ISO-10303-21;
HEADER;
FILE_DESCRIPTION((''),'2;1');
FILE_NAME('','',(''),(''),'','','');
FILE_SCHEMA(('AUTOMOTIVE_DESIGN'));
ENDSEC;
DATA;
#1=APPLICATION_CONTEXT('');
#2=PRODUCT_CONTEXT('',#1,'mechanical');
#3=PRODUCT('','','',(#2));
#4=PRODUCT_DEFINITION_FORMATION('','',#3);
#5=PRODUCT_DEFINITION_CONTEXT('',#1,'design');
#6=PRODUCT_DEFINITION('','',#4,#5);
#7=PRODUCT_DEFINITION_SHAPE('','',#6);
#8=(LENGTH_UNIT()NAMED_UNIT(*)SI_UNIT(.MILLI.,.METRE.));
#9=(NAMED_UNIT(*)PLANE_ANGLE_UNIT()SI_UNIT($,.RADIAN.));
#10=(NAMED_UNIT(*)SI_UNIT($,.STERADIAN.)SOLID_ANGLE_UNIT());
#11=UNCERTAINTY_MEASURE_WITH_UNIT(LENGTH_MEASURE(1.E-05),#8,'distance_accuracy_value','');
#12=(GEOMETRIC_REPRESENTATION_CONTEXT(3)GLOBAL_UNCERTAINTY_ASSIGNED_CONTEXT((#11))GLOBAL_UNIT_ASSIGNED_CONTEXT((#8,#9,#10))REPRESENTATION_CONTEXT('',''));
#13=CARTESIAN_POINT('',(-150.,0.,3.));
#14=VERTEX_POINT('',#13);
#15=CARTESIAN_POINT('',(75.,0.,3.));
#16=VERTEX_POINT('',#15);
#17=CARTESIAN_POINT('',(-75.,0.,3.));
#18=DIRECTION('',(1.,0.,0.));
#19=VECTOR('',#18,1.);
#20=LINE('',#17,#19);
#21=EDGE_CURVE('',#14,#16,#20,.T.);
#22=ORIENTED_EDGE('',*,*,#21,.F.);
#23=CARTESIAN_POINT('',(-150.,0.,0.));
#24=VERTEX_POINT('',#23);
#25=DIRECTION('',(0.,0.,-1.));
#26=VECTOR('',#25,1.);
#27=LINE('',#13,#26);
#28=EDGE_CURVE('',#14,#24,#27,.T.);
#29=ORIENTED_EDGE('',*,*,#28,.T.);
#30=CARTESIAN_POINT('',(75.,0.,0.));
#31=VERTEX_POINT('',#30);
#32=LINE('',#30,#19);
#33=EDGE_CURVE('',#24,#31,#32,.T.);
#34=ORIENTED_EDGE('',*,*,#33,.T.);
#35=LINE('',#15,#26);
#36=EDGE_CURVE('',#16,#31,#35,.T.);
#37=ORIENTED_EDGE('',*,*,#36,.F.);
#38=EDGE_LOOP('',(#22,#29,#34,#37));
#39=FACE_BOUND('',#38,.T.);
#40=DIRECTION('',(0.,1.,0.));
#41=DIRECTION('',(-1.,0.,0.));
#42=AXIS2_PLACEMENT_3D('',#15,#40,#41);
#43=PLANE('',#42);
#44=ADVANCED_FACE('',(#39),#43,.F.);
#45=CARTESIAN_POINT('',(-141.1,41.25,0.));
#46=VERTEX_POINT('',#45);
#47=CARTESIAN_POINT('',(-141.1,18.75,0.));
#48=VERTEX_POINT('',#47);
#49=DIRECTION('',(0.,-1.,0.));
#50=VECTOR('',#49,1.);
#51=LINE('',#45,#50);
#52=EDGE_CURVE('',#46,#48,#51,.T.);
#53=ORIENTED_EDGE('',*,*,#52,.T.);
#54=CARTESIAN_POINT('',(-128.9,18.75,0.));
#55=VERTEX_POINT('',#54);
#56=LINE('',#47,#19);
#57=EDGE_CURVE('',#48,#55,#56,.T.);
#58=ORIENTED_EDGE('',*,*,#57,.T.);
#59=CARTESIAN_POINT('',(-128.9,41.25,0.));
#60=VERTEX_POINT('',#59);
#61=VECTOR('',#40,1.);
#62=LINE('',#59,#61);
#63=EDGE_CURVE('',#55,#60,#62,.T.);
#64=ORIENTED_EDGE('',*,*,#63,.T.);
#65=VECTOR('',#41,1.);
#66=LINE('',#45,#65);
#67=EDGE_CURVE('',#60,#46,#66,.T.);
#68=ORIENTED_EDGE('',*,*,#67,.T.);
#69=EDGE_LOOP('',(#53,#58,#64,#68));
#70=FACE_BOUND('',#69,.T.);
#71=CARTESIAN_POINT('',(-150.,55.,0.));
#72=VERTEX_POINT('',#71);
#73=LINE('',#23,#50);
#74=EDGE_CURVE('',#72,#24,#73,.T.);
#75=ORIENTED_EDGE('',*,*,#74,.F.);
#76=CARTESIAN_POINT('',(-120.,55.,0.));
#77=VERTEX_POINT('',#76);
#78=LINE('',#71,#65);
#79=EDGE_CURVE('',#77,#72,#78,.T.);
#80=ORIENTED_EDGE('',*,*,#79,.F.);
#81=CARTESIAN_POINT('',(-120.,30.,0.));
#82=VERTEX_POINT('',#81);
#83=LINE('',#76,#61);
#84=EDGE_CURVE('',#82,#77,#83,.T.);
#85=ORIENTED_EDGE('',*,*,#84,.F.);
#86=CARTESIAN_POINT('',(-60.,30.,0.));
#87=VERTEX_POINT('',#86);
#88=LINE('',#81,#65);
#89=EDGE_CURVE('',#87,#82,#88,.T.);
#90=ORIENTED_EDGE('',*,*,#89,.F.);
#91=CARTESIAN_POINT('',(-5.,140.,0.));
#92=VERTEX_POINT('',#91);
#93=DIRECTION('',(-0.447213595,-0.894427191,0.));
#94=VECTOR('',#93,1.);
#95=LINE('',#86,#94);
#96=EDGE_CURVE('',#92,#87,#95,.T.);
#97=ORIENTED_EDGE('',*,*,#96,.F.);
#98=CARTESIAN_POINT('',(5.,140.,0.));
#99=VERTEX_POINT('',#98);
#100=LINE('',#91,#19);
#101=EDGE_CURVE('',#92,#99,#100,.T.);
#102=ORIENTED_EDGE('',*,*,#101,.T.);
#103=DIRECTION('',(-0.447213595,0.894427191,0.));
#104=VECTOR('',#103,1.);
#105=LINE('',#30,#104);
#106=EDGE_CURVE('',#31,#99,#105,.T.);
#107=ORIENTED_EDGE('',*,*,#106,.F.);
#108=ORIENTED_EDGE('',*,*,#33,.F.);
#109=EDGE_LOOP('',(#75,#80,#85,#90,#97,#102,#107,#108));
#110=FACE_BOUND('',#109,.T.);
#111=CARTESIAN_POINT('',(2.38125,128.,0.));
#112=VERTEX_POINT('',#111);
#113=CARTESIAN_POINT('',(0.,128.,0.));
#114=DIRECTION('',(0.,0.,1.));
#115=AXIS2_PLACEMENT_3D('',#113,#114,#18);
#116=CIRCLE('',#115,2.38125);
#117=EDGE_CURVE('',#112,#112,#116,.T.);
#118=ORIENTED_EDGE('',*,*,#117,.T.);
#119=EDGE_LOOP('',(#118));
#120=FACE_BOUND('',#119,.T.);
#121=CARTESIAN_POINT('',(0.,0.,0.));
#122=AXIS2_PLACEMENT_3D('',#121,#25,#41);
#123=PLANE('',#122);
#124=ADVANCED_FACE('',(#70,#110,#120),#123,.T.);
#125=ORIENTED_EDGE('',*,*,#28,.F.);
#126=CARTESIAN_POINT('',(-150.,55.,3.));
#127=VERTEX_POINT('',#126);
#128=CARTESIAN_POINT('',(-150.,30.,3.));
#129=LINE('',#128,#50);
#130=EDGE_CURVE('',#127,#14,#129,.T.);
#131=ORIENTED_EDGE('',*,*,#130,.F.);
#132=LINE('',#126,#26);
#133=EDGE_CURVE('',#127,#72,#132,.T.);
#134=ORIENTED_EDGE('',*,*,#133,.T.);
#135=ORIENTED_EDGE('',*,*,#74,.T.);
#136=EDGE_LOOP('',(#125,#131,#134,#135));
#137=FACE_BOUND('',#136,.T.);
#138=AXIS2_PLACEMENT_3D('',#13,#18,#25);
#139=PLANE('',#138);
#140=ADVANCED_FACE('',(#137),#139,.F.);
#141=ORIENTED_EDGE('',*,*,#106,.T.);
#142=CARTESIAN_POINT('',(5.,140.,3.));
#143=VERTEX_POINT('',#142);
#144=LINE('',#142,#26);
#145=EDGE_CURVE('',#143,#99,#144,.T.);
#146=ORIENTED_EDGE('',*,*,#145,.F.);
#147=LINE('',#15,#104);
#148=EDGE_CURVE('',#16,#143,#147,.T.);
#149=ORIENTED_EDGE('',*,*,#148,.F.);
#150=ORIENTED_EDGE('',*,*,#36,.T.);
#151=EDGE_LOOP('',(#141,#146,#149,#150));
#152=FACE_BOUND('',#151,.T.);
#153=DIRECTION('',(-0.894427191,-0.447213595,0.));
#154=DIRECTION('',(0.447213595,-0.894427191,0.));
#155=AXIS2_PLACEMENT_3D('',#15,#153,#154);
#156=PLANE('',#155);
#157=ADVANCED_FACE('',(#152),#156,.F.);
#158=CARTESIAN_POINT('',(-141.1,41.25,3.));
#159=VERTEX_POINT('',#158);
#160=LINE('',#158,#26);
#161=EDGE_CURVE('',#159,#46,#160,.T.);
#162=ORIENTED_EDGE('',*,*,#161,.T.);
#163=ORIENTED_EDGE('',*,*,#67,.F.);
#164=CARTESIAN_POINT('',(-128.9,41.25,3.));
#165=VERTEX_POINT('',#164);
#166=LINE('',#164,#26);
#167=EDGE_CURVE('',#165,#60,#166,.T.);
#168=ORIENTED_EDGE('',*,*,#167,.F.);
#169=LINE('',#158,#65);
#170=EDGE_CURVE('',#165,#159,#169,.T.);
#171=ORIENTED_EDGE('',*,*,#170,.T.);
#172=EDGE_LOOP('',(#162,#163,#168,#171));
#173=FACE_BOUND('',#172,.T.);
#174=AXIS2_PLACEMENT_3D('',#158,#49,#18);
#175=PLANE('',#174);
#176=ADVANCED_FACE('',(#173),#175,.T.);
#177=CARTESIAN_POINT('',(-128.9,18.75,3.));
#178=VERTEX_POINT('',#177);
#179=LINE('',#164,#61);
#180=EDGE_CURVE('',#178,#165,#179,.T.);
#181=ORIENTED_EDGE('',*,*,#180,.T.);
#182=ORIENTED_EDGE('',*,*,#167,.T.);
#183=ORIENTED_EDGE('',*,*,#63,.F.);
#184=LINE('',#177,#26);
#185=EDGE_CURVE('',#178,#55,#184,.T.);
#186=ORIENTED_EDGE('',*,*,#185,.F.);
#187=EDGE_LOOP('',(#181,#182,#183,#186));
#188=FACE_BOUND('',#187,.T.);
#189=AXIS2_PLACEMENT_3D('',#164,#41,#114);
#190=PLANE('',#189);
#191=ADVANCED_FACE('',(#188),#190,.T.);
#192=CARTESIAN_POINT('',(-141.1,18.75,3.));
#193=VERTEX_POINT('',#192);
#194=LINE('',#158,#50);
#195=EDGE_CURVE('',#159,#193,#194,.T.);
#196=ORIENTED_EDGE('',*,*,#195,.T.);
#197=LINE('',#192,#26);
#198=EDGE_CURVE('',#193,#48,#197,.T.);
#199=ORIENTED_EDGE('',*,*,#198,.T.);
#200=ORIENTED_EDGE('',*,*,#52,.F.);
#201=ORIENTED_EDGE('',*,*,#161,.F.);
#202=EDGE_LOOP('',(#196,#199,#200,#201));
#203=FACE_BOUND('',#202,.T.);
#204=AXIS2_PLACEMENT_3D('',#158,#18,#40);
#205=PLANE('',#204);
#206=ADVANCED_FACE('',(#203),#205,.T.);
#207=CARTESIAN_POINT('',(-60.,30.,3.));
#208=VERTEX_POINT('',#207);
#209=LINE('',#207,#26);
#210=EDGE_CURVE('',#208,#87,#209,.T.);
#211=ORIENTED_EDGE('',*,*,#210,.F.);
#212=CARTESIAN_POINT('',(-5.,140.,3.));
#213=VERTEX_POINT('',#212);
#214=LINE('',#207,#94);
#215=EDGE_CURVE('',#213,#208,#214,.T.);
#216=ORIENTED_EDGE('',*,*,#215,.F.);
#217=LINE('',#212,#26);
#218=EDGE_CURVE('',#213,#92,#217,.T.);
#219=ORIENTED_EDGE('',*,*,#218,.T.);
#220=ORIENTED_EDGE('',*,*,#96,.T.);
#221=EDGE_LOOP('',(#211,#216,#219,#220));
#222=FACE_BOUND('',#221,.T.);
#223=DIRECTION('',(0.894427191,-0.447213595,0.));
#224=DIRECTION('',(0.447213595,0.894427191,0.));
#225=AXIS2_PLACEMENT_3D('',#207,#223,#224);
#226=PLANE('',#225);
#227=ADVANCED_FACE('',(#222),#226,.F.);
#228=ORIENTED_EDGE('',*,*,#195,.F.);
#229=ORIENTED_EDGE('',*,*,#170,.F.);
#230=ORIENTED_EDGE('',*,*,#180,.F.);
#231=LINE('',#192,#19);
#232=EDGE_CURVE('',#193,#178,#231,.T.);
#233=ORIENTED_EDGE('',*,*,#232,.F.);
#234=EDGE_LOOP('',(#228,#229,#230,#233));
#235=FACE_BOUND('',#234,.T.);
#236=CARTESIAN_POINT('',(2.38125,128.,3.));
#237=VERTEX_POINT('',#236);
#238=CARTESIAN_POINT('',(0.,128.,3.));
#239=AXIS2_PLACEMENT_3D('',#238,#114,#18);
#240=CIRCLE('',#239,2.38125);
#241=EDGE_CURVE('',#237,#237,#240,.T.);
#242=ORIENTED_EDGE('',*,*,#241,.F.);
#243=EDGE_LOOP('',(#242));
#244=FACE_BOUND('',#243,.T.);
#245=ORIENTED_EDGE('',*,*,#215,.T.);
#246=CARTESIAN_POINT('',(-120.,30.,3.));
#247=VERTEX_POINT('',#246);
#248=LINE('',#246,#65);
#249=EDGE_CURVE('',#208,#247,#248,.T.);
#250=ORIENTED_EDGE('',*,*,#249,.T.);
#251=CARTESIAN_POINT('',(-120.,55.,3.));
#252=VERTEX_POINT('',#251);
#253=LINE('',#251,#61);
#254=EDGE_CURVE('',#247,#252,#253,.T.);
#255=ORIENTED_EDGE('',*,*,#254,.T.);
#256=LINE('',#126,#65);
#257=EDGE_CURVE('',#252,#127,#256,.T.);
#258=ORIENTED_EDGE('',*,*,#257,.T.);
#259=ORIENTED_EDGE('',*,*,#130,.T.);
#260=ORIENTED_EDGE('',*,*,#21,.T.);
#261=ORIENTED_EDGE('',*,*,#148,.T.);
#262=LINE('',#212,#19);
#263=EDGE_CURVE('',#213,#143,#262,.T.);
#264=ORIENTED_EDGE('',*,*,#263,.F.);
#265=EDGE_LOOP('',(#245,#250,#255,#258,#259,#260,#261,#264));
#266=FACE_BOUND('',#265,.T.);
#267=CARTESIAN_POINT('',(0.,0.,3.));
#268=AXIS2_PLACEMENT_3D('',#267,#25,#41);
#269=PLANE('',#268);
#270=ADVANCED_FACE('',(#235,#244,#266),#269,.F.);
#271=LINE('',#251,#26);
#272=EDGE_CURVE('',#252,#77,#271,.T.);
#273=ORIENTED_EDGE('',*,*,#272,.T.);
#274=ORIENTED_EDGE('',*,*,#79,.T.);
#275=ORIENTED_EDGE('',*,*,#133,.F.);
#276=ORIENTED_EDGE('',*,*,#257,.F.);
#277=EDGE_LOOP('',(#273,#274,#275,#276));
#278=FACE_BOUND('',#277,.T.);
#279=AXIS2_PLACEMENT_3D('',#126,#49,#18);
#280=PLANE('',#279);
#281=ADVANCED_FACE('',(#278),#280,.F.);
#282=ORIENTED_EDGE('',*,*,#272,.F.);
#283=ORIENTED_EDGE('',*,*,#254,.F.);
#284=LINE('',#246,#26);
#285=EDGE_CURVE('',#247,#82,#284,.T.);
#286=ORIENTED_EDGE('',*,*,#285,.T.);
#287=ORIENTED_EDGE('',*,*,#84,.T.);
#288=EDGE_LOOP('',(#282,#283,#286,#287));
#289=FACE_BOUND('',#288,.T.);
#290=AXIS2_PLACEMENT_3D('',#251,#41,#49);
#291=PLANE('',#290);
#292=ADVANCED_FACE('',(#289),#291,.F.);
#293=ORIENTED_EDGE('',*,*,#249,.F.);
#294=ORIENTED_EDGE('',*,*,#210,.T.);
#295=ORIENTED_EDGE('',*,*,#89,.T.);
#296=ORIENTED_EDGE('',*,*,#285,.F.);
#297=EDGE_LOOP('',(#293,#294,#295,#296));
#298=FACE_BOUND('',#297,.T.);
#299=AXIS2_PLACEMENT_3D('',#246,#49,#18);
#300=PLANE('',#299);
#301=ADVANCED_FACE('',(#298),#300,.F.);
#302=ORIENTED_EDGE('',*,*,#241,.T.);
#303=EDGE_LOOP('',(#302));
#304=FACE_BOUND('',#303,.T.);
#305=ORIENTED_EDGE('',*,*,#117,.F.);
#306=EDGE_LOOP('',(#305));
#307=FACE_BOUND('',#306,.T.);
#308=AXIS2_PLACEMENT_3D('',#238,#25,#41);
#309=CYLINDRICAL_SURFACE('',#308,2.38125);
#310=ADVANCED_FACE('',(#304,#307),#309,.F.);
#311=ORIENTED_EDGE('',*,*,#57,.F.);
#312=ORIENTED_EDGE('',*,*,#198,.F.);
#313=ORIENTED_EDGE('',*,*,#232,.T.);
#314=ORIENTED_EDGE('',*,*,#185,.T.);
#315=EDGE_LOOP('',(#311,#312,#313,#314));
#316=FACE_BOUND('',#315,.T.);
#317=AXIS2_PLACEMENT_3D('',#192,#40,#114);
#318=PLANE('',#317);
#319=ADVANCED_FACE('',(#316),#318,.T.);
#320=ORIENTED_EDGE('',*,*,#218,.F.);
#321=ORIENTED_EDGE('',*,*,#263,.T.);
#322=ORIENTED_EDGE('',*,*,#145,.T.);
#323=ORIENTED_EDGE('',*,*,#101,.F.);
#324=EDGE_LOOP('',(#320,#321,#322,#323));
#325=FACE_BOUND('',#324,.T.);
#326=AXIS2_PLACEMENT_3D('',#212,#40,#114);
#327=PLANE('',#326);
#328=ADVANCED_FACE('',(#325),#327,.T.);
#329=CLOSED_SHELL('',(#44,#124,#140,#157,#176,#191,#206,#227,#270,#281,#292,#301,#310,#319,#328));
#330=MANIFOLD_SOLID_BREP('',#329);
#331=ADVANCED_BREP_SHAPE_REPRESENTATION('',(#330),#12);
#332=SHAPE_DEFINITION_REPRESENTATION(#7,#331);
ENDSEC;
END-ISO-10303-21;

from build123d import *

# Parameters (mm, degrees)
CROQUIS1_W              = 12.2
CROQUIS1_H              = 22.5
SALIENTE_EXTRUIR1_DEPTH = 3
CROQUIS2_R              = 2.38125
CORTAR_EXTRUIR1_DEPTH   = 4


with BuildPart() as part:
    # Croquis1 → Saliente-Extruir1 (new body)
    with BuildSketch(Plane.XY):
        Polygon((75, 0), (-75, 0), (-150, 0), (-150, 30), (-150, 55), (-120, 55), (-120, 30), (-60, 30), (0, 150), align=None)
        with Locations((-135, 30)):
            Rectangle(CROQUIS1_W, CROQUIS1_H, mode=Mode.SUBTRACT)
    extrude(amount=SALIENTE_EXTRUIR1_DEPTH)

    # Croquis2 → Cortar-Extruir1 (cut, through all)
    with BuildSketch(Plane.XY):
        with Locations((0, 128)):
            Circle(CROQUIS2_R)
        Polygon((5, 140), (0, 150), (-5, 140), align=None)
    extrude(amount=CORTAR_EXTRUIR1_DEPTH, mode=Mode.SUBTRACT)


solid = part.part
